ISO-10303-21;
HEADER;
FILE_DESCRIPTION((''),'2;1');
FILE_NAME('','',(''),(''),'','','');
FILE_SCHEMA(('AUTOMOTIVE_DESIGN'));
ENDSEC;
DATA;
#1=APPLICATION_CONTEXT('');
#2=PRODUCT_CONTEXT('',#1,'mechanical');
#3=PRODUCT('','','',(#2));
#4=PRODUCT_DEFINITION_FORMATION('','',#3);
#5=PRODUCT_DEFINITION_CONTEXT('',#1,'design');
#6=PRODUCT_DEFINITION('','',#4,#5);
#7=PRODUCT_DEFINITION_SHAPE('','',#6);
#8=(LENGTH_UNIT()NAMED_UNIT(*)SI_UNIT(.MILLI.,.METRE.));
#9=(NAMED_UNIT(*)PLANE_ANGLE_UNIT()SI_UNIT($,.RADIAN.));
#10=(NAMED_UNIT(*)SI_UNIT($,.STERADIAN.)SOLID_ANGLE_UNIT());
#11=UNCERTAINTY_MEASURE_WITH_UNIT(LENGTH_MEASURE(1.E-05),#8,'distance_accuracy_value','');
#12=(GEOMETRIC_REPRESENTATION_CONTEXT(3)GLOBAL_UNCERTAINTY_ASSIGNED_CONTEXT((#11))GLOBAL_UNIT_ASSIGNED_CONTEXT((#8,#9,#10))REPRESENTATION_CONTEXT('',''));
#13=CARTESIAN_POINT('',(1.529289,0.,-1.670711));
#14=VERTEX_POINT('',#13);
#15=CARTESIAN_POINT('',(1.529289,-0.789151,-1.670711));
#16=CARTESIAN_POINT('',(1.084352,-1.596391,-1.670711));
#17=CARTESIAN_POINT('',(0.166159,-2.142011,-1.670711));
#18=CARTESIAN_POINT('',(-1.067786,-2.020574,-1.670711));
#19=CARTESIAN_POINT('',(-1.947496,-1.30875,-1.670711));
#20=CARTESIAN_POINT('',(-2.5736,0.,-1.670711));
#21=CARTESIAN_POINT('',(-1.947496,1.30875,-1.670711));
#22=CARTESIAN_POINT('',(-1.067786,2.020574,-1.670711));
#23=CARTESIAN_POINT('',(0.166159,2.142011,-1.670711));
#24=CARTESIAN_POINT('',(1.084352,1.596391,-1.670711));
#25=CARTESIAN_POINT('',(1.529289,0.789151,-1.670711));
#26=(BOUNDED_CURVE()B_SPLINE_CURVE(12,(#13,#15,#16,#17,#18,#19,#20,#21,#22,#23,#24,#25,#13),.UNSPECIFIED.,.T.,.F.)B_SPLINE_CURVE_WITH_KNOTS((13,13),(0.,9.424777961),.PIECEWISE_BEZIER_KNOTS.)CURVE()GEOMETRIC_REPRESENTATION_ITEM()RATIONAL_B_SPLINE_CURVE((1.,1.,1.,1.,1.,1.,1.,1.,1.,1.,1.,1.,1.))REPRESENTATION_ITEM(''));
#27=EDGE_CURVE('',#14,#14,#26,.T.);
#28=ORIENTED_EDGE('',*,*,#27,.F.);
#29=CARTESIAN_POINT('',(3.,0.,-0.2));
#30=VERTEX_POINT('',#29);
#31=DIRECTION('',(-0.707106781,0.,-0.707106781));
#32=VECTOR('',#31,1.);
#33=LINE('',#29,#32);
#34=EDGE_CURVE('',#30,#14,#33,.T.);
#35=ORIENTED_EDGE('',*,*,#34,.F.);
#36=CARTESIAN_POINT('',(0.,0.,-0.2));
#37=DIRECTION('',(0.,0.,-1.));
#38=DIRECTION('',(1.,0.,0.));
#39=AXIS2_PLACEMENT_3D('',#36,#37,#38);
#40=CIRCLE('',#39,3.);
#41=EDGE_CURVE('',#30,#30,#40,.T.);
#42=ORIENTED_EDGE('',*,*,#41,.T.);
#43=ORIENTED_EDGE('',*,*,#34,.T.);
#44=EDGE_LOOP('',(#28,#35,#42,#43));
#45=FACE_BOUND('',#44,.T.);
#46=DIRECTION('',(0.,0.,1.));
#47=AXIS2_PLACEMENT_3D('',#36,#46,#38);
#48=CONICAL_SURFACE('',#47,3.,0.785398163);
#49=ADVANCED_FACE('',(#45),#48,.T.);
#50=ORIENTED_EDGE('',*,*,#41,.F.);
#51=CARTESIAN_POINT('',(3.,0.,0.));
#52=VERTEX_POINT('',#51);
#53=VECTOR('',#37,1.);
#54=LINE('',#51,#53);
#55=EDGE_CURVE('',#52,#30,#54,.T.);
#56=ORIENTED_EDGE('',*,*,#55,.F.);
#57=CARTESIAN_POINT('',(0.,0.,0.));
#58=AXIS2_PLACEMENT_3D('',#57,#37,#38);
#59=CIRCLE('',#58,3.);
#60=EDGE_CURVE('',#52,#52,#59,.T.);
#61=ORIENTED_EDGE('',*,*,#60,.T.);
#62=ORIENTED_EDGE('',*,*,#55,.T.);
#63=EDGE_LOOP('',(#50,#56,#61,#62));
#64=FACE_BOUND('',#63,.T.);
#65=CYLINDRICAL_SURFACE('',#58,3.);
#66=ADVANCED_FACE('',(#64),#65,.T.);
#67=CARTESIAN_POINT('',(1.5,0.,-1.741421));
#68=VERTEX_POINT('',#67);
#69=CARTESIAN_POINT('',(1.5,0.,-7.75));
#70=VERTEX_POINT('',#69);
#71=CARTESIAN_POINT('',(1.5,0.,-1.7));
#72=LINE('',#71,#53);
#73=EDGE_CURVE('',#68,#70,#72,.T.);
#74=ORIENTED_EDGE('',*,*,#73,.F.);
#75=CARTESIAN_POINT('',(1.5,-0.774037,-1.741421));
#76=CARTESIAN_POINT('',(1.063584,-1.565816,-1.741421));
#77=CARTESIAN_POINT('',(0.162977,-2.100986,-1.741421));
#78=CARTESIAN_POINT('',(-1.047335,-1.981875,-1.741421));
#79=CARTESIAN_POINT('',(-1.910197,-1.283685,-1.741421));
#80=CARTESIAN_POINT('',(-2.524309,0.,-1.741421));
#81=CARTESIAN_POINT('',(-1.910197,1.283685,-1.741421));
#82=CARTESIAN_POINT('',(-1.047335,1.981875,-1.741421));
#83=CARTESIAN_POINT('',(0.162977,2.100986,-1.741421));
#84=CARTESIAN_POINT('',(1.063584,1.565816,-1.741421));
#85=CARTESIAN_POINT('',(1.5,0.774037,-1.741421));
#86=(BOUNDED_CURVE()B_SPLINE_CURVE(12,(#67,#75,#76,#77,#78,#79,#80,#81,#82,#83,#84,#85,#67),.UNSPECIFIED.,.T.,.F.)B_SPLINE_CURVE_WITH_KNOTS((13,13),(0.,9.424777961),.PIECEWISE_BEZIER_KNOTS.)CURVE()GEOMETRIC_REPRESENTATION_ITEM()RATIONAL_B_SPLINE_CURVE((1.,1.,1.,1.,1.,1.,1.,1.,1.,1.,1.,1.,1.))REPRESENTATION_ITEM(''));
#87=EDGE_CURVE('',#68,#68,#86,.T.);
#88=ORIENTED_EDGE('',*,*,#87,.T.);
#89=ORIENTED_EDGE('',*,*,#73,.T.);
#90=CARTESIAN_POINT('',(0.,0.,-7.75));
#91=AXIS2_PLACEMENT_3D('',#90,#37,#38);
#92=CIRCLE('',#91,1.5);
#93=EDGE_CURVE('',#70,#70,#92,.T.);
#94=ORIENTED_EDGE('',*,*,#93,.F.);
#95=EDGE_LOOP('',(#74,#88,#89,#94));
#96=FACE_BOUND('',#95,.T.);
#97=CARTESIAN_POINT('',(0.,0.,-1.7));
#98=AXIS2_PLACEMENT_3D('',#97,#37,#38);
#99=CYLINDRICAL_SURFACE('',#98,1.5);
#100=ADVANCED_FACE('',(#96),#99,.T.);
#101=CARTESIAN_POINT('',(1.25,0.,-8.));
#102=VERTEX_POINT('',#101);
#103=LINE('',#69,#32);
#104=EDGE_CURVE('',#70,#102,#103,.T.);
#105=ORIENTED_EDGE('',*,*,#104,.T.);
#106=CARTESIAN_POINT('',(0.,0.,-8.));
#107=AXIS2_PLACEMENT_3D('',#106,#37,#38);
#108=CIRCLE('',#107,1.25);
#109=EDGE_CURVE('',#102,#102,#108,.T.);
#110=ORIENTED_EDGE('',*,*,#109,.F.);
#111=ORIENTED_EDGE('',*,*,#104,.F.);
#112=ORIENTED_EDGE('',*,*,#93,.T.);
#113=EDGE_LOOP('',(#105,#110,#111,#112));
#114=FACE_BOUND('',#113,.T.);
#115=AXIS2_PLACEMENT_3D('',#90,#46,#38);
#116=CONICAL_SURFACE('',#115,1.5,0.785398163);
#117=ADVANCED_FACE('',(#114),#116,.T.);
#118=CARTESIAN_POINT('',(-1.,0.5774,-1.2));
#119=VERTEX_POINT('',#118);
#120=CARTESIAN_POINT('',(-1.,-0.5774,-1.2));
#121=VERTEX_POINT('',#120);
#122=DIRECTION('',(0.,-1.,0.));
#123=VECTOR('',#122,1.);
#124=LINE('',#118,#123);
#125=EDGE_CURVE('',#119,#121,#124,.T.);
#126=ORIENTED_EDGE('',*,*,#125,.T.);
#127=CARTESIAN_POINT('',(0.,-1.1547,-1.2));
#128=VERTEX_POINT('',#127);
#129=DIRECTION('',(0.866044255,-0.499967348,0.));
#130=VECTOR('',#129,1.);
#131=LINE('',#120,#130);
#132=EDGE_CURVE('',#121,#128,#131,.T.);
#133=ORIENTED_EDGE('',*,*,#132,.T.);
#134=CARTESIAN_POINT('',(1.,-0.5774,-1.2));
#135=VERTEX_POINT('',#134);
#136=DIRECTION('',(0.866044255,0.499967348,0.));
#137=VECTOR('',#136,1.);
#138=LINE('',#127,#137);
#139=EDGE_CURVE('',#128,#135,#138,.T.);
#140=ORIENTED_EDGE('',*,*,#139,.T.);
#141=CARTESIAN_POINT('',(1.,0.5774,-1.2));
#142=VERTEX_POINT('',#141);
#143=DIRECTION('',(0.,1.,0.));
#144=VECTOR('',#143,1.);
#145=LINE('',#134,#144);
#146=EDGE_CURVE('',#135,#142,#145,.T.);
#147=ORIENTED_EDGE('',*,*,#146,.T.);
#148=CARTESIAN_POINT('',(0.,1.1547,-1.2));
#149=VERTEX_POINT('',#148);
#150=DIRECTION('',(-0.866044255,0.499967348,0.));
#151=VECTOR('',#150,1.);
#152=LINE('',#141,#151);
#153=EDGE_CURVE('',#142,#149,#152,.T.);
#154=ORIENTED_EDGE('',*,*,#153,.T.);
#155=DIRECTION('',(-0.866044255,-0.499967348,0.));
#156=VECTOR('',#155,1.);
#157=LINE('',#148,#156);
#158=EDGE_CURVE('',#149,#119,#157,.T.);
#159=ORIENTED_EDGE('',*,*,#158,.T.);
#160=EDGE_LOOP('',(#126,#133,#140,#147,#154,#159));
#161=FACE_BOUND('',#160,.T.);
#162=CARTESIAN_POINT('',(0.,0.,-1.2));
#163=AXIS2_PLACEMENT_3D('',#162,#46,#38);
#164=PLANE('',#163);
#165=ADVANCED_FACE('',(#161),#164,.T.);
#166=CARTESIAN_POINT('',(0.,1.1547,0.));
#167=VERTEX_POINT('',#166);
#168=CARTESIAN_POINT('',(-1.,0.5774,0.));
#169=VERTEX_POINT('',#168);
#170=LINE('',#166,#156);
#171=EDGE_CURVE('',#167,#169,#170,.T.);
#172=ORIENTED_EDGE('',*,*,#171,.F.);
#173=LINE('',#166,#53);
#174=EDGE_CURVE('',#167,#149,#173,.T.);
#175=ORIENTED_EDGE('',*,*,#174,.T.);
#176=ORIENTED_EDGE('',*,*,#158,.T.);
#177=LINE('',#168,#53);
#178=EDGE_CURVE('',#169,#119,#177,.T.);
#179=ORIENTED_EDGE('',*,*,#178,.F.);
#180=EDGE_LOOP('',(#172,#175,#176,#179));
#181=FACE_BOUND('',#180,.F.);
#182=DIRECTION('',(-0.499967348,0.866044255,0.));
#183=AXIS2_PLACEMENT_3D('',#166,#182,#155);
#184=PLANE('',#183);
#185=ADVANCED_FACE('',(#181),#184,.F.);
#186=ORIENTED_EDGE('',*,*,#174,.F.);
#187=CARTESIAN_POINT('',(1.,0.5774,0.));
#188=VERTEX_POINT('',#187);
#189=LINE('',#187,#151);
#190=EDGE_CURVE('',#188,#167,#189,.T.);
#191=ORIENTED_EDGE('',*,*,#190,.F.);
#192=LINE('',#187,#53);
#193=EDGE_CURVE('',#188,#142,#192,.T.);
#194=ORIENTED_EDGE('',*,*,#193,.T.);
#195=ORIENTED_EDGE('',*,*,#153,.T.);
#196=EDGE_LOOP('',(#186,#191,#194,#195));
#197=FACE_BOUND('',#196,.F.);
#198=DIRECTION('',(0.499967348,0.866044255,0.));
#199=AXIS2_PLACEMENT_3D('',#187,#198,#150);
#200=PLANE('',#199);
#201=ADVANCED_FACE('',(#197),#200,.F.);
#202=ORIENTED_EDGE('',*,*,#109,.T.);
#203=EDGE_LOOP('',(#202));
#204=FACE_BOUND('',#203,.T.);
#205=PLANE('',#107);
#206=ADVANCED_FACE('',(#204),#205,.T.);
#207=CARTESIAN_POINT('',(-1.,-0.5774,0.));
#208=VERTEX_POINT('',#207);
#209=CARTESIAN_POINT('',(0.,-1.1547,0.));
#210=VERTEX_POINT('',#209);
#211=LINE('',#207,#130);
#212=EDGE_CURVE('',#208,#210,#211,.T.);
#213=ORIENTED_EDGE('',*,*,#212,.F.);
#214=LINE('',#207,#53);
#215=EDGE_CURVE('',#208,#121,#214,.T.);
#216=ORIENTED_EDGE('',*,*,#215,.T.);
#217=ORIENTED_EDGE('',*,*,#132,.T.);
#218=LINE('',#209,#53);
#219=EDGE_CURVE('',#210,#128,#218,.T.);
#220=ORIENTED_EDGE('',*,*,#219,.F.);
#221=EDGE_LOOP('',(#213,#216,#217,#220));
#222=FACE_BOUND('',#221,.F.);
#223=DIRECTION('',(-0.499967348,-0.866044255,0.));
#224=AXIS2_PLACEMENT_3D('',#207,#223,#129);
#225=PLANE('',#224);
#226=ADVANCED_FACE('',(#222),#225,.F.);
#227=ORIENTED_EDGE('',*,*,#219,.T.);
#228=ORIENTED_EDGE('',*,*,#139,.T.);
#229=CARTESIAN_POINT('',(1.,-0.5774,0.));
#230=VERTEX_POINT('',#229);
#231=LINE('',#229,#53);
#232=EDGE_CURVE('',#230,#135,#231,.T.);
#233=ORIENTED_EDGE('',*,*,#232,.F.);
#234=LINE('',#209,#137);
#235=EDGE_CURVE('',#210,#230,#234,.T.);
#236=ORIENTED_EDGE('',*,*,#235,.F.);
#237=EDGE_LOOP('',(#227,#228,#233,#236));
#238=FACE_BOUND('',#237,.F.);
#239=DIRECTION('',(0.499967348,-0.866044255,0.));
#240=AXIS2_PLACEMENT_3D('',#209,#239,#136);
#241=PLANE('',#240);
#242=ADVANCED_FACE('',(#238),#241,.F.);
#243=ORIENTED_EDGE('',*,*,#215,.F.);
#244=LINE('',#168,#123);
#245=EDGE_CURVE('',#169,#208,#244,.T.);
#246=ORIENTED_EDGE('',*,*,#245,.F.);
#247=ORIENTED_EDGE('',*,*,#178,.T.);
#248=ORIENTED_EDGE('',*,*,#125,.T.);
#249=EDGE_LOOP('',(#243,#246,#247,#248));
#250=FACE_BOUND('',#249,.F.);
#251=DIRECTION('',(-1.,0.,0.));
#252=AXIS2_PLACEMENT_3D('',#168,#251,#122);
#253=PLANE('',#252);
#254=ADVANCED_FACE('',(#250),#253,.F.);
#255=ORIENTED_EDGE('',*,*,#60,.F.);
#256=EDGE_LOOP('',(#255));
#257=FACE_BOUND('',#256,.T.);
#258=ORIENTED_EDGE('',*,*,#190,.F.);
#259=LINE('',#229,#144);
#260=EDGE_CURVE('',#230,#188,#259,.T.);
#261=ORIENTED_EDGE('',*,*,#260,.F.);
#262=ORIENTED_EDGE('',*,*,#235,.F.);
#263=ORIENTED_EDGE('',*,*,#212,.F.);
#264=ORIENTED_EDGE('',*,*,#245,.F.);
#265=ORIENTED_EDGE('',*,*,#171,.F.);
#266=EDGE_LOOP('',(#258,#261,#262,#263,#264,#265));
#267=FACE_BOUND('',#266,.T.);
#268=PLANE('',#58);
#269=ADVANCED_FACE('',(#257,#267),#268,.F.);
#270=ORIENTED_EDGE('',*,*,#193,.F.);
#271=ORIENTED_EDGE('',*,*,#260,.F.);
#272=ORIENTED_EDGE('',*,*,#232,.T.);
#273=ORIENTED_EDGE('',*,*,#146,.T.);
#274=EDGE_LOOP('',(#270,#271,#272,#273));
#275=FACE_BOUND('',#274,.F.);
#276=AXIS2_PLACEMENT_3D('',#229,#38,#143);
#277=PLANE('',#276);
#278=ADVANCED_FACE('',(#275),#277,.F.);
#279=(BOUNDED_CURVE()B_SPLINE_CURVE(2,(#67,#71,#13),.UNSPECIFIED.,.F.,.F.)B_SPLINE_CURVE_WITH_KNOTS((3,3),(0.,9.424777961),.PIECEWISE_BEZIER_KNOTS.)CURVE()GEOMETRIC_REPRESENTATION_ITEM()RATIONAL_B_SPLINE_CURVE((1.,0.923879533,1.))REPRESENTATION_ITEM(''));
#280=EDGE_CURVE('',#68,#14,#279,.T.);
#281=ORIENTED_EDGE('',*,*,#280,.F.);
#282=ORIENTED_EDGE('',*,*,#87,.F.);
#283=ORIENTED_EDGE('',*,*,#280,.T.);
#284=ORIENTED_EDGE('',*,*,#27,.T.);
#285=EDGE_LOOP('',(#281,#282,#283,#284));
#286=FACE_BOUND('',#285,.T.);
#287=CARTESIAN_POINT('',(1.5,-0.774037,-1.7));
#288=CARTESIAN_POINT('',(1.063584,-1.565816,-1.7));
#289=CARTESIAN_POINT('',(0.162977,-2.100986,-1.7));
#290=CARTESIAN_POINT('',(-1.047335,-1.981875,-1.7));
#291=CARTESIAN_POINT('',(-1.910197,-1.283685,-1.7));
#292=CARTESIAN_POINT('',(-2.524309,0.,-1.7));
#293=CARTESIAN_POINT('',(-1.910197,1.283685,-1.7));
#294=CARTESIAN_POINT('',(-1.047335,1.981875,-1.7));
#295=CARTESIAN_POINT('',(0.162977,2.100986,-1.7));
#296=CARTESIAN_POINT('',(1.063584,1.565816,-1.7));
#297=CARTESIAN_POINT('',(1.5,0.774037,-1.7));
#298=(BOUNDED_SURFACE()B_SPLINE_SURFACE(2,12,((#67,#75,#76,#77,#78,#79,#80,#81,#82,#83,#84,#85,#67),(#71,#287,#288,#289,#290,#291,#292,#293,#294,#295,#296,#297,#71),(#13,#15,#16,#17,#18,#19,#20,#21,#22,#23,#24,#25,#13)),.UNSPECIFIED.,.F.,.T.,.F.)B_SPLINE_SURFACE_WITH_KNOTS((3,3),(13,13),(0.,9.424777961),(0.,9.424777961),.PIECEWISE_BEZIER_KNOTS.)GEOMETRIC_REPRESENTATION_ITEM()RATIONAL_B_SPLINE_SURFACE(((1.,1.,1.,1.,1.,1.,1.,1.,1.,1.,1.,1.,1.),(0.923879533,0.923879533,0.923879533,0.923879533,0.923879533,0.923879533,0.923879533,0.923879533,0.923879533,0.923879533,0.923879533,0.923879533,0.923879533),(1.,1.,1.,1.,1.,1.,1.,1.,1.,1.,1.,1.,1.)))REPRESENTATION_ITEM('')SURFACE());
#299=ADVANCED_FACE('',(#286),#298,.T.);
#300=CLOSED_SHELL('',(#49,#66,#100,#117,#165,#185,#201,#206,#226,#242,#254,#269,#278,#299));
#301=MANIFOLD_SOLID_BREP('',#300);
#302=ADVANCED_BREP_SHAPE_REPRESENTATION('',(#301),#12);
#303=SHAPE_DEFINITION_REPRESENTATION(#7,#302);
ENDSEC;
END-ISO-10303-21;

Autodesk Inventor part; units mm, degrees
ref_plane "YZ Plane" through (0, 0, 0) normal (1, 0, 0) x (0, 1, 0)
sketch "Sketch1" plane through (0, 0, 0) normal (0, 1, 0) x (-1, 0, 0)
  point P0 (0, 0)
sketch "Sketch2" plane through (0, 0, 0) normal (0, 1, 0) x (-1, 0, 0)
  line L0 (-1.5, -8) -> (0, -8)
  line L1 (-1.5, -1.7) -> (-1.5, -8)
  line L2 (-3, -0.2) -> (-1.5, -1.7)
  line L3 (-3, 0) -> (-3, -0.2)
  line L4 (0, 0) -> (-3, 0)
  line L5 (0, -8) -> (0, 0)
  line L6 (0, -8) -> (0, 0)
  line L7 (0, -9.6) -> (0, 1.6) projected
  line L8 (0.6, 0) -> (-3.6, 0) projected
  dimension "d3" = 3
  dimension "d5" = 1.5
  dimension "d7" = 8
  dimension "ParC" = 0.2
  dimension "d22" = 0
  dimension "d23" = 0
  dimension "d43" = 45
revolve "Revolution1" add sketch "Sketch2" angle 360 about axis through (0, 0, -8) along (0, 0, -1)
sketch "Sketch3" plane through (0, 0, 0) normal (0, 0, 1) x (1, 0, 0)
  line L0 (-1, 0.5774) -> (-1, -0.5774)
  line L1 (0, 1.1547) -> (-1, 0.5774)
  line L2 (1, 0.5774) -> (0, 1.1547)
  line L3 (1, -0.5774) -> (1, 0.5774)
  line L4 (0, -1.1547) -> (1, -0.5774)
  line L5 (-1, -0.5774) -> (0, -1.1547)
  circle A0 centre (0, 0) radius 1 construction
  circle A1 centre (0, 0) radius 1.5 construction
  dimension "d11" = 2
  dimension "d13" = 120
  dimension "d15" = 120
extrude "Extrusion1" cut sketch "Sketch3" against normal blind 1.2
fillet "Fillet1" radius 0.1 1 edges at (-1.5, 0, -1.7)
chamfer "Chamfer1" distance 0.25 angle 45 1 edges at (-1.5, 0, -8) measured on face at (1.4041, 0.5277, -5.9138)
thread "Thread1" size "M3x0.5" class "6g" standard "ISO Metric profile" length 5.3
ref_plane "MSC_PF1" through (0, 0, 0) normal (1, 0, 0) x (0, 1, 0)
ref_plane "MSC_PT1" through (0, 0, 0) normal (0, 0, -1) x (-1, 0, 0)
equation "\"d3\" = 0.5 * dk"
equation "\"d5\" = 0.5 * NND"
equation "\"d7\" = NLG"
equation "\"d43\" = 0.5 * ang"
equation "\"d18\" = r"
equation "\"d19\" = 0.5 * PTC"
equation "\"d39\" = 0.5 * PTC"
equation "\"d11\" = ParS"
equation "\"d16\" = ParT"
equation "\"NND\" = 3"
equation "\"PTC\" = 0.5"
equation "\"dk\" = 6"
equation "\"ParK\" = 1.7"
equation "\"ParS\" = 2"
equation "\"ParT\" = 1.2"
equation "\"r\" = 0.1"
equation "\"NLG\" = 8"
equation "\"ang\" = 90deg"
equation "\"THREADDIA\" = NND"
properties part number "CSK Allen Key 3x8mm" material "Steel, Mild"
